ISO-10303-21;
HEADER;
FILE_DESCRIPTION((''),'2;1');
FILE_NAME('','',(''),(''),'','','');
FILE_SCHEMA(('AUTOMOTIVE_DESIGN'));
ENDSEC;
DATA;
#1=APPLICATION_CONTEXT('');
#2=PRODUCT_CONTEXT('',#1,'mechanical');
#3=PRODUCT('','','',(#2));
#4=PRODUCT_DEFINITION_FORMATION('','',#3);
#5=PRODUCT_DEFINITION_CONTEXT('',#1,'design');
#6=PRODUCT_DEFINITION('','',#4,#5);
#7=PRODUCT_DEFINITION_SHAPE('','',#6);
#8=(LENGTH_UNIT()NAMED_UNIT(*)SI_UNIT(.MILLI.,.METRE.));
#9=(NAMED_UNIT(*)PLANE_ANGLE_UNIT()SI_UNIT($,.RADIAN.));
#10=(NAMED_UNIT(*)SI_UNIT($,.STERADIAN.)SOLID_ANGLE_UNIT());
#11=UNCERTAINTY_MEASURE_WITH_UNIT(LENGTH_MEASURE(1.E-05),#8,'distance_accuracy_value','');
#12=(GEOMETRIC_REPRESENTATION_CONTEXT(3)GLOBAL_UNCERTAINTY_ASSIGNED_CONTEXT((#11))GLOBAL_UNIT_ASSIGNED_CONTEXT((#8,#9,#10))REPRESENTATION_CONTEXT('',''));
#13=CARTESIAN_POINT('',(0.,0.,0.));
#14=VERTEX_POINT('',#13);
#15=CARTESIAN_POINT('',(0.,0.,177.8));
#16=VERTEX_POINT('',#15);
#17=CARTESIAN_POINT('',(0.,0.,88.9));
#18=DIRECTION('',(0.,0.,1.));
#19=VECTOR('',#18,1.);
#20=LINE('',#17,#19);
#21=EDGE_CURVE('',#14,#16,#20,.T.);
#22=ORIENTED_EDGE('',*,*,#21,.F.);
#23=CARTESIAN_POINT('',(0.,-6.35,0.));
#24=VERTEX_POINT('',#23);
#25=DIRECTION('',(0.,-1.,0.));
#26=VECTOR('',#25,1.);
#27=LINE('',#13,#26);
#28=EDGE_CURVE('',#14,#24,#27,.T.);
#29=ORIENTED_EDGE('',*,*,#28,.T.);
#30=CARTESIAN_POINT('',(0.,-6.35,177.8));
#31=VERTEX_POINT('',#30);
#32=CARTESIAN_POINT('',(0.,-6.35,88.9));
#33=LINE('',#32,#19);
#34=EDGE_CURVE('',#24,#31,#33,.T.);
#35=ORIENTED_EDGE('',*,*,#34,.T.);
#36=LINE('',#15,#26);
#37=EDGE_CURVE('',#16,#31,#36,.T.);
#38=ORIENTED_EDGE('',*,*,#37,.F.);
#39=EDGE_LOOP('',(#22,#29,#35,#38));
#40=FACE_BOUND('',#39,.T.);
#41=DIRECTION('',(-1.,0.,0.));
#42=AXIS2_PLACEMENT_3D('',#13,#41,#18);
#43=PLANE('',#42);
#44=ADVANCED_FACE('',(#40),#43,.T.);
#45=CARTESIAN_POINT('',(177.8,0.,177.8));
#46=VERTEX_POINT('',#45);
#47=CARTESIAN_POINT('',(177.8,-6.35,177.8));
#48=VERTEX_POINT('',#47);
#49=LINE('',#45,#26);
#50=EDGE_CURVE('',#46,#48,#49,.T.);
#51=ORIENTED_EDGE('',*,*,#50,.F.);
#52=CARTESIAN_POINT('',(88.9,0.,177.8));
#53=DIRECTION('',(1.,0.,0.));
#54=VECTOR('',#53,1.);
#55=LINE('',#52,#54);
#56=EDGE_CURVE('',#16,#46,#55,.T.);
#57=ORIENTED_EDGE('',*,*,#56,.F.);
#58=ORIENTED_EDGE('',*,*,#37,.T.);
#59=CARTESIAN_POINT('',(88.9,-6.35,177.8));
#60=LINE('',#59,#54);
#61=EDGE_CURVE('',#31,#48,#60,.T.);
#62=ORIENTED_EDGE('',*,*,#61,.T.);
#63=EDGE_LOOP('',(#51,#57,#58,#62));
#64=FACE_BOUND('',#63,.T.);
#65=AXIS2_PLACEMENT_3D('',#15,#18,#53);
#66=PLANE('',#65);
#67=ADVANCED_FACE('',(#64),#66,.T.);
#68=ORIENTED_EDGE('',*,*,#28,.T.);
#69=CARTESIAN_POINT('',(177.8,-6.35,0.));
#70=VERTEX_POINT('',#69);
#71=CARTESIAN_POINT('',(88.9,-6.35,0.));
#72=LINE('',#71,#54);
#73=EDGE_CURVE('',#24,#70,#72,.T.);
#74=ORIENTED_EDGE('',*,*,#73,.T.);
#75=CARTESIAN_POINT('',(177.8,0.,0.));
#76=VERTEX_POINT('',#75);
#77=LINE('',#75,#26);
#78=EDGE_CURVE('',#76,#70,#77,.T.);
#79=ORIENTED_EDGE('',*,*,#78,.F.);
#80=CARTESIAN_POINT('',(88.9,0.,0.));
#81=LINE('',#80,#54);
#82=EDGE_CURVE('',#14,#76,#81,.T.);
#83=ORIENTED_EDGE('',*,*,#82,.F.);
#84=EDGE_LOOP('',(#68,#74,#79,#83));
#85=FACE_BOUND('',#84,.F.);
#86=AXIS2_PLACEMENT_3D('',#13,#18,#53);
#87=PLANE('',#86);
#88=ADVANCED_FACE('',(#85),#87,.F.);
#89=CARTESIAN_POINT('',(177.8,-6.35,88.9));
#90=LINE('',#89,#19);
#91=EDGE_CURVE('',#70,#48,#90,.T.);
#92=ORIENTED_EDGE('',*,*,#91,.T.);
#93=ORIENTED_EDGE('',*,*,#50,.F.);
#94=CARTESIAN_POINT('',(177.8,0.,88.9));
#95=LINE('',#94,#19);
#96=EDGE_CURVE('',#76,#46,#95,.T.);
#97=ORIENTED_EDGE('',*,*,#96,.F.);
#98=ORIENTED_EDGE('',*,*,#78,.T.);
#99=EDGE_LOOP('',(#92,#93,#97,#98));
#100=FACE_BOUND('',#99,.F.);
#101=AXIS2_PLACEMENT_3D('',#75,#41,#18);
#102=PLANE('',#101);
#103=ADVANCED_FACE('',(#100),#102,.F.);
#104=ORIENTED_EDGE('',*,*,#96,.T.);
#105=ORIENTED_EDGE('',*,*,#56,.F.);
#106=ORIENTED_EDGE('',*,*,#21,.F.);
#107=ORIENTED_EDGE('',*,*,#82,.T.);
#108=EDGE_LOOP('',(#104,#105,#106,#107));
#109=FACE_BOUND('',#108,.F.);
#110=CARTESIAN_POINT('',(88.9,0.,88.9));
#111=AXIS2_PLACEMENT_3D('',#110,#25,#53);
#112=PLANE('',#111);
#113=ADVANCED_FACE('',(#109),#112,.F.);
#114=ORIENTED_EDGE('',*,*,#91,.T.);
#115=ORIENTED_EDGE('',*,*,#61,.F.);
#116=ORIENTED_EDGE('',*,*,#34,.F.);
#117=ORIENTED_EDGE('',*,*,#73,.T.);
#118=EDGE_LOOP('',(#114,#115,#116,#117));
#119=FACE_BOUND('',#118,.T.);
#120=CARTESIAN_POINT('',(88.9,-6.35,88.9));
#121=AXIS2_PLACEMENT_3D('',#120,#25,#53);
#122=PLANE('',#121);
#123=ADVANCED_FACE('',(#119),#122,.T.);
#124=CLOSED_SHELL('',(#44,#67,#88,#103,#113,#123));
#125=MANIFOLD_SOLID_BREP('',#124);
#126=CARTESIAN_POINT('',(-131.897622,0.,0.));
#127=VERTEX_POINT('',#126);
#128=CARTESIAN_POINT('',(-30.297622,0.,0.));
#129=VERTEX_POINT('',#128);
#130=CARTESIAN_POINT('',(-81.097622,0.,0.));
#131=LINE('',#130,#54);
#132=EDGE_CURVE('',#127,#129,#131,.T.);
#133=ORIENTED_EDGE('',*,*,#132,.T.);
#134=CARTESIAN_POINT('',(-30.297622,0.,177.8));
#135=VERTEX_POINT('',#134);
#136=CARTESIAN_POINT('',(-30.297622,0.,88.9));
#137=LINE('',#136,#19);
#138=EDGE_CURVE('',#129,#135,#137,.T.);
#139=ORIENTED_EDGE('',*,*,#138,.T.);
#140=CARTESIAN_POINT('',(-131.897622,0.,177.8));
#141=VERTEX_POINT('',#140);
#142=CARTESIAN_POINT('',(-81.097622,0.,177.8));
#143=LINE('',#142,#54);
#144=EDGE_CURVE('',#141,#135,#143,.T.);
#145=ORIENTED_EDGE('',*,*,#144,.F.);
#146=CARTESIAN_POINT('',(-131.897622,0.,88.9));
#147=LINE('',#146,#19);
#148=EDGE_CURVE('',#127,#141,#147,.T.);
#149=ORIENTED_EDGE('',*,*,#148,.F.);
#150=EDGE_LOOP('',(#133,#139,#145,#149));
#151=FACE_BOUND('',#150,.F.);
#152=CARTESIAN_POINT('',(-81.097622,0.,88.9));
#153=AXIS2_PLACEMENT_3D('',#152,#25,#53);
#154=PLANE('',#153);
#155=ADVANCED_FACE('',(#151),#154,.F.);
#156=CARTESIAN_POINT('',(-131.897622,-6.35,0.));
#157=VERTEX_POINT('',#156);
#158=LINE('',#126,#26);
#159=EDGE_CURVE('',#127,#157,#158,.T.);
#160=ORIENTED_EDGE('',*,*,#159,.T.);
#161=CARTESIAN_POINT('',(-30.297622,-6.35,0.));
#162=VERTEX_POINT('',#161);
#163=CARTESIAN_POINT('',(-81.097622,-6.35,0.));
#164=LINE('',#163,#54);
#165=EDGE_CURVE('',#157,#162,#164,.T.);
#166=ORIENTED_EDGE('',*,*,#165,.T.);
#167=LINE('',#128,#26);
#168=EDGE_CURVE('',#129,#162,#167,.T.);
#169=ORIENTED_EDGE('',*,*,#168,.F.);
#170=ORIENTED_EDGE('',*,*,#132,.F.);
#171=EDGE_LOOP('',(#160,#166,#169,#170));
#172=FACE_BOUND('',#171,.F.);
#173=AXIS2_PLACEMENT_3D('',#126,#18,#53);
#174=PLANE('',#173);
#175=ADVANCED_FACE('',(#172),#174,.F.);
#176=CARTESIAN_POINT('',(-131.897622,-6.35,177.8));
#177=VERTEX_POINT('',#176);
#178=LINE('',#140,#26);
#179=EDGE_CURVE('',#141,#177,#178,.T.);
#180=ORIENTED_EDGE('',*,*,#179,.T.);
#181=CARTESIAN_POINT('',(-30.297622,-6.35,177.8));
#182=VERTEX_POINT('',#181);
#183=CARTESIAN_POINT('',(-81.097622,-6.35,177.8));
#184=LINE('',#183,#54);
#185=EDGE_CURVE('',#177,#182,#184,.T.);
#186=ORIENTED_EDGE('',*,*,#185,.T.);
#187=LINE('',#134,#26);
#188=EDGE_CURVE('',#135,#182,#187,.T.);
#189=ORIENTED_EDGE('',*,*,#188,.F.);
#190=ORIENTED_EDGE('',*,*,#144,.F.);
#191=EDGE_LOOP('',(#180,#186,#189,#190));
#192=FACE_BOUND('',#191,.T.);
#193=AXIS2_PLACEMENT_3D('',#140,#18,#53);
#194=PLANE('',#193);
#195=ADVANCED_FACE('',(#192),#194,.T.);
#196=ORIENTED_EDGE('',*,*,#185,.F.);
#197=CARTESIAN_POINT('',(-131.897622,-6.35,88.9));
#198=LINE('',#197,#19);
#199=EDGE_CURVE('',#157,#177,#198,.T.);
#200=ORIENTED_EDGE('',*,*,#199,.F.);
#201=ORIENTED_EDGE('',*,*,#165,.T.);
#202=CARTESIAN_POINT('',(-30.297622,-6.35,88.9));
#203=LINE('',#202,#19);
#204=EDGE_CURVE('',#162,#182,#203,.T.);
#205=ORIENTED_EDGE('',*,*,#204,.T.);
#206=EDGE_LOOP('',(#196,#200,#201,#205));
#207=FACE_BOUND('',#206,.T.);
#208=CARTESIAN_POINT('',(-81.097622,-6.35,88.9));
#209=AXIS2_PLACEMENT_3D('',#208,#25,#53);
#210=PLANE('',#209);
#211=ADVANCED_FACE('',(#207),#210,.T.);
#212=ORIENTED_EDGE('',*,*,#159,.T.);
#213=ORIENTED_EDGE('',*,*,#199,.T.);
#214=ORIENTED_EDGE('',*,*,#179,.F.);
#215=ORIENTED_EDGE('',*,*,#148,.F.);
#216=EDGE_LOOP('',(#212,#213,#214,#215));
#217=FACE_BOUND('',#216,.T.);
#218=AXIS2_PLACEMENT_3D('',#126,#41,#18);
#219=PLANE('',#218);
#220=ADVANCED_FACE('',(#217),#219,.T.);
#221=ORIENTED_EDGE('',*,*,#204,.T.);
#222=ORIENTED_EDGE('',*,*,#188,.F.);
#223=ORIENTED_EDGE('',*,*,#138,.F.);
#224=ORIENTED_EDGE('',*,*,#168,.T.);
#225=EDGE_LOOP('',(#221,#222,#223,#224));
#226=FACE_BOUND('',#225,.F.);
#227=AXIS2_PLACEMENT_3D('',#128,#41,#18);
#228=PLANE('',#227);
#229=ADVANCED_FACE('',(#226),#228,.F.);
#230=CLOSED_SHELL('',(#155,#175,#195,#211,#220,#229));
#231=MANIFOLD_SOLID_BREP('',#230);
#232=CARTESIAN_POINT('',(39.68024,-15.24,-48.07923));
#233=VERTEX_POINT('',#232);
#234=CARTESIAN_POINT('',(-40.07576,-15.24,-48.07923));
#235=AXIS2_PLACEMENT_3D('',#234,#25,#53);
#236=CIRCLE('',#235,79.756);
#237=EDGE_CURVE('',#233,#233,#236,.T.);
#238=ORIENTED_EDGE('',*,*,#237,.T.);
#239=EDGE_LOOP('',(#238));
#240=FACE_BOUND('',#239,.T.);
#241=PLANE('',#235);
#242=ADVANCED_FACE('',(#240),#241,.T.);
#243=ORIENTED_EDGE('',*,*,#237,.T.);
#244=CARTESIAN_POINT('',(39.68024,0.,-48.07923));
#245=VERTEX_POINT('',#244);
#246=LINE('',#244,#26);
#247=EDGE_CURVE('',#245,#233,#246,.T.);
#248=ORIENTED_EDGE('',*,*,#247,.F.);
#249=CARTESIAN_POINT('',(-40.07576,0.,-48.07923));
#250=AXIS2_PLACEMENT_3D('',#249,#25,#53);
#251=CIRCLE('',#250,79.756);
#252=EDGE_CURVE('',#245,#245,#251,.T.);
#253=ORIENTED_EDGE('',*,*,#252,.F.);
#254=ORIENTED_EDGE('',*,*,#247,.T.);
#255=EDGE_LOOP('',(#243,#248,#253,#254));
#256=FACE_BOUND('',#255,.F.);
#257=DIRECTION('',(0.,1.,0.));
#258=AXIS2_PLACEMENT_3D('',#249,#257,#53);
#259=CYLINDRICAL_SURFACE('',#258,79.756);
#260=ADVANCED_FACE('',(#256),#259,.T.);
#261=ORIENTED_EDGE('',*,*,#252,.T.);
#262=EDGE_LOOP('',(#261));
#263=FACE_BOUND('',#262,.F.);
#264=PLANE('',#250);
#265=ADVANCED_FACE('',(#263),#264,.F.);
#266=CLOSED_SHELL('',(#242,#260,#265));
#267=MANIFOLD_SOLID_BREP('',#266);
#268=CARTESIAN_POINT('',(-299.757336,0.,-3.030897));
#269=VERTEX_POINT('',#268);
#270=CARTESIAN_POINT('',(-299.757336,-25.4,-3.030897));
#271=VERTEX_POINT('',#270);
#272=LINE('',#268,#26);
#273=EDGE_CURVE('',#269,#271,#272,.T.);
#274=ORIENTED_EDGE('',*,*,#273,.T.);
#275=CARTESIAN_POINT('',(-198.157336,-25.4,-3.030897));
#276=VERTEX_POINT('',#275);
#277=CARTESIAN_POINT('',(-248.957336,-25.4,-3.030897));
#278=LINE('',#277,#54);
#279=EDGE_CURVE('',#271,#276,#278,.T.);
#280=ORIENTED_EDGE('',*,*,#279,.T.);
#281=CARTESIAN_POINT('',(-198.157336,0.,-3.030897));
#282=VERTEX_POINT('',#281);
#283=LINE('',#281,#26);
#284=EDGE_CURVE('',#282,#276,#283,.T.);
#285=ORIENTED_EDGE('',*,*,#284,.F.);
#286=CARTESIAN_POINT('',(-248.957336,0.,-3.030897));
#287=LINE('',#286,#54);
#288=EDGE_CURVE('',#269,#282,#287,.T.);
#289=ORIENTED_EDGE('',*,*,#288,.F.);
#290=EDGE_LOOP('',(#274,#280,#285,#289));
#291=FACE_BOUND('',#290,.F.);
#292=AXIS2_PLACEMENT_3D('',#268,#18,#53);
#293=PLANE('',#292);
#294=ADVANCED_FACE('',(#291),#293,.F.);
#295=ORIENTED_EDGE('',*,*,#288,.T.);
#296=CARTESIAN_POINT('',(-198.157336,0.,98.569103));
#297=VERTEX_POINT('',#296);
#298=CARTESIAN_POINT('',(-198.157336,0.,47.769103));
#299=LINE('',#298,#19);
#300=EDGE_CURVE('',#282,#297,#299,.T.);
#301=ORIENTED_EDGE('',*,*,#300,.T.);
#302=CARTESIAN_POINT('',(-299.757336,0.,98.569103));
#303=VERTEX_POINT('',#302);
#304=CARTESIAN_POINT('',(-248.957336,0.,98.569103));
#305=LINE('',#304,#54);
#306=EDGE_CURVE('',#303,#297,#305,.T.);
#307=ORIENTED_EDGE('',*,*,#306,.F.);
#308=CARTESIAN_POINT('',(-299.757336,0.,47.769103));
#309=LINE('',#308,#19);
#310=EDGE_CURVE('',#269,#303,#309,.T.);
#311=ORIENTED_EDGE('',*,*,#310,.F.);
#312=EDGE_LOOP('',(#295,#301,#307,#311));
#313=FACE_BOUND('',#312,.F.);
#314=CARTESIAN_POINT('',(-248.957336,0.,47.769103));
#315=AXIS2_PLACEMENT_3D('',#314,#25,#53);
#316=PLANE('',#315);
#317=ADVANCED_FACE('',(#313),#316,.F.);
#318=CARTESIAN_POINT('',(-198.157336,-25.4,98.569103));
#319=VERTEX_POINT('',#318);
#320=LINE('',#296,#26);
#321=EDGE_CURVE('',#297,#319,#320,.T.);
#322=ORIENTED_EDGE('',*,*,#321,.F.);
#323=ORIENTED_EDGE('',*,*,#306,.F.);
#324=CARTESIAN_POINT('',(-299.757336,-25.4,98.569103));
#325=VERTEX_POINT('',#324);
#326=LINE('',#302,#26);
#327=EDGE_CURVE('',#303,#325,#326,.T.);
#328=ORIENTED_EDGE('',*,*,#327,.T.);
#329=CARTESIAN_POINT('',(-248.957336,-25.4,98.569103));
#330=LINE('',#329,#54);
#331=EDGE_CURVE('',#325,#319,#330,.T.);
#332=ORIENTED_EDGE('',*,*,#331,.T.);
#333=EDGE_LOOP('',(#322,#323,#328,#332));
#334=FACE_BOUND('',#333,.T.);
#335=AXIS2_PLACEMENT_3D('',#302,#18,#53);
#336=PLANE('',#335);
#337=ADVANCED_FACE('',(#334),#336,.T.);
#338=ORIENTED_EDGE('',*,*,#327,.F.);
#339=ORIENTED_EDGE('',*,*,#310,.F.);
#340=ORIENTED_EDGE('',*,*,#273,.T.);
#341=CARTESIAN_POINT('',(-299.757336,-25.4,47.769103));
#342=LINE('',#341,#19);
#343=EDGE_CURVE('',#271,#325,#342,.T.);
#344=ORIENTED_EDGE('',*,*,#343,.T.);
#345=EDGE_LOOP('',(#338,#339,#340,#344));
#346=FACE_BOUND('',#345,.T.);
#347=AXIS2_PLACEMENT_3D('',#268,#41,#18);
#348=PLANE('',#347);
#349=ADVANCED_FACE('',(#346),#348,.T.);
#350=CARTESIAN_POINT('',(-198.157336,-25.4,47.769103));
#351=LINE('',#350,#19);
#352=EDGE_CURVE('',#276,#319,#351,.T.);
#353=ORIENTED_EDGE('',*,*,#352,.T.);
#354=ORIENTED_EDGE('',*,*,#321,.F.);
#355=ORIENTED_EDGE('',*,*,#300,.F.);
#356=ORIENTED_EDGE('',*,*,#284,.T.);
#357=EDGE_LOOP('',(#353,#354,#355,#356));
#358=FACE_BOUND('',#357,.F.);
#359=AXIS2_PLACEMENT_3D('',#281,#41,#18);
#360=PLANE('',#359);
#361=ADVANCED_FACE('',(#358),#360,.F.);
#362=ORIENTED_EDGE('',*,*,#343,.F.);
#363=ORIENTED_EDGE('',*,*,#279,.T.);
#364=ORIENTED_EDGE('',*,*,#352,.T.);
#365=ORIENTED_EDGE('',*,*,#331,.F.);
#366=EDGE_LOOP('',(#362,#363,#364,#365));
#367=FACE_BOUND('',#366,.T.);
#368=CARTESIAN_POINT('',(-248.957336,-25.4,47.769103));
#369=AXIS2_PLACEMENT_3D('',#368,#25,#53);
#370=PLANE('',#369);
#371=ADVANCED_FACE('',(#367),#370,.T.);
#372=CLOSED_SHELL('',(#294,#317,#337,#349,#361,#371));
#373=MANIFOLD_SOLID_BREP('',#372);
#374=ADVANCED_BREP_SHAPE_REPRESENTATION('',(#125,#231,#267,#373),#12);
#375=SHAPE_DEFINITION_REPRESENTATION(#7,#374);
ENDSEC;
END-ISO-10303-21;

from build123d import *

# Parameters (mm, degrees)
F0_W     = 177.8
F0_H     = 177.8
F2_DEPTH = 6.35
F1_W     = 101.6
F1_H     = 177.8
F3_DEPTH = 6.35
F4_R     = 79.756
F5_DEPTH = 15.24
F6_W     = 101.6
F6_H     = 101.6
F7_DEPTH = 25.4


with BuildPart() as f2:
    # F0 (on Front) → F2 (new body)
    with BuildSketch(Plane.XZ):
        with Locations((88.9, 88.9)):
            Rectangle(F0_W, F0_H)
    extrude(amount=F2_DEPTH)


with BuildPart() as f3:
    # F1 (on Front) → F3 (new body)
    with BuildSketch(Plane.XZ):
        with Locations((-81.097622, 88.9)):
            Rectangle(F1_W, F1_H)
    extrude(amount=F3_DEPTH)


with BuildPart() as f5:
    # F4 (on Front) → F5 (new body)
    with BuildSketch(Plane.XZ):
        with Locations((-40.07576, -48.07923)):
            Circle(F4_R)
    extrude(amount=F5_DEPTH)


with BuildPart() as f7:
    # F6 (on Front) → F7 (new body)
    with BuildSketch(Plane.XZ):
        with Locations((-248.957336, 47.769103)):
            Rectangle(F6_W, F6_H)
    extrude(amount=F7_DEPTH)


solid = Compound([f2.part, f3.part, f5.part, f7.part])
